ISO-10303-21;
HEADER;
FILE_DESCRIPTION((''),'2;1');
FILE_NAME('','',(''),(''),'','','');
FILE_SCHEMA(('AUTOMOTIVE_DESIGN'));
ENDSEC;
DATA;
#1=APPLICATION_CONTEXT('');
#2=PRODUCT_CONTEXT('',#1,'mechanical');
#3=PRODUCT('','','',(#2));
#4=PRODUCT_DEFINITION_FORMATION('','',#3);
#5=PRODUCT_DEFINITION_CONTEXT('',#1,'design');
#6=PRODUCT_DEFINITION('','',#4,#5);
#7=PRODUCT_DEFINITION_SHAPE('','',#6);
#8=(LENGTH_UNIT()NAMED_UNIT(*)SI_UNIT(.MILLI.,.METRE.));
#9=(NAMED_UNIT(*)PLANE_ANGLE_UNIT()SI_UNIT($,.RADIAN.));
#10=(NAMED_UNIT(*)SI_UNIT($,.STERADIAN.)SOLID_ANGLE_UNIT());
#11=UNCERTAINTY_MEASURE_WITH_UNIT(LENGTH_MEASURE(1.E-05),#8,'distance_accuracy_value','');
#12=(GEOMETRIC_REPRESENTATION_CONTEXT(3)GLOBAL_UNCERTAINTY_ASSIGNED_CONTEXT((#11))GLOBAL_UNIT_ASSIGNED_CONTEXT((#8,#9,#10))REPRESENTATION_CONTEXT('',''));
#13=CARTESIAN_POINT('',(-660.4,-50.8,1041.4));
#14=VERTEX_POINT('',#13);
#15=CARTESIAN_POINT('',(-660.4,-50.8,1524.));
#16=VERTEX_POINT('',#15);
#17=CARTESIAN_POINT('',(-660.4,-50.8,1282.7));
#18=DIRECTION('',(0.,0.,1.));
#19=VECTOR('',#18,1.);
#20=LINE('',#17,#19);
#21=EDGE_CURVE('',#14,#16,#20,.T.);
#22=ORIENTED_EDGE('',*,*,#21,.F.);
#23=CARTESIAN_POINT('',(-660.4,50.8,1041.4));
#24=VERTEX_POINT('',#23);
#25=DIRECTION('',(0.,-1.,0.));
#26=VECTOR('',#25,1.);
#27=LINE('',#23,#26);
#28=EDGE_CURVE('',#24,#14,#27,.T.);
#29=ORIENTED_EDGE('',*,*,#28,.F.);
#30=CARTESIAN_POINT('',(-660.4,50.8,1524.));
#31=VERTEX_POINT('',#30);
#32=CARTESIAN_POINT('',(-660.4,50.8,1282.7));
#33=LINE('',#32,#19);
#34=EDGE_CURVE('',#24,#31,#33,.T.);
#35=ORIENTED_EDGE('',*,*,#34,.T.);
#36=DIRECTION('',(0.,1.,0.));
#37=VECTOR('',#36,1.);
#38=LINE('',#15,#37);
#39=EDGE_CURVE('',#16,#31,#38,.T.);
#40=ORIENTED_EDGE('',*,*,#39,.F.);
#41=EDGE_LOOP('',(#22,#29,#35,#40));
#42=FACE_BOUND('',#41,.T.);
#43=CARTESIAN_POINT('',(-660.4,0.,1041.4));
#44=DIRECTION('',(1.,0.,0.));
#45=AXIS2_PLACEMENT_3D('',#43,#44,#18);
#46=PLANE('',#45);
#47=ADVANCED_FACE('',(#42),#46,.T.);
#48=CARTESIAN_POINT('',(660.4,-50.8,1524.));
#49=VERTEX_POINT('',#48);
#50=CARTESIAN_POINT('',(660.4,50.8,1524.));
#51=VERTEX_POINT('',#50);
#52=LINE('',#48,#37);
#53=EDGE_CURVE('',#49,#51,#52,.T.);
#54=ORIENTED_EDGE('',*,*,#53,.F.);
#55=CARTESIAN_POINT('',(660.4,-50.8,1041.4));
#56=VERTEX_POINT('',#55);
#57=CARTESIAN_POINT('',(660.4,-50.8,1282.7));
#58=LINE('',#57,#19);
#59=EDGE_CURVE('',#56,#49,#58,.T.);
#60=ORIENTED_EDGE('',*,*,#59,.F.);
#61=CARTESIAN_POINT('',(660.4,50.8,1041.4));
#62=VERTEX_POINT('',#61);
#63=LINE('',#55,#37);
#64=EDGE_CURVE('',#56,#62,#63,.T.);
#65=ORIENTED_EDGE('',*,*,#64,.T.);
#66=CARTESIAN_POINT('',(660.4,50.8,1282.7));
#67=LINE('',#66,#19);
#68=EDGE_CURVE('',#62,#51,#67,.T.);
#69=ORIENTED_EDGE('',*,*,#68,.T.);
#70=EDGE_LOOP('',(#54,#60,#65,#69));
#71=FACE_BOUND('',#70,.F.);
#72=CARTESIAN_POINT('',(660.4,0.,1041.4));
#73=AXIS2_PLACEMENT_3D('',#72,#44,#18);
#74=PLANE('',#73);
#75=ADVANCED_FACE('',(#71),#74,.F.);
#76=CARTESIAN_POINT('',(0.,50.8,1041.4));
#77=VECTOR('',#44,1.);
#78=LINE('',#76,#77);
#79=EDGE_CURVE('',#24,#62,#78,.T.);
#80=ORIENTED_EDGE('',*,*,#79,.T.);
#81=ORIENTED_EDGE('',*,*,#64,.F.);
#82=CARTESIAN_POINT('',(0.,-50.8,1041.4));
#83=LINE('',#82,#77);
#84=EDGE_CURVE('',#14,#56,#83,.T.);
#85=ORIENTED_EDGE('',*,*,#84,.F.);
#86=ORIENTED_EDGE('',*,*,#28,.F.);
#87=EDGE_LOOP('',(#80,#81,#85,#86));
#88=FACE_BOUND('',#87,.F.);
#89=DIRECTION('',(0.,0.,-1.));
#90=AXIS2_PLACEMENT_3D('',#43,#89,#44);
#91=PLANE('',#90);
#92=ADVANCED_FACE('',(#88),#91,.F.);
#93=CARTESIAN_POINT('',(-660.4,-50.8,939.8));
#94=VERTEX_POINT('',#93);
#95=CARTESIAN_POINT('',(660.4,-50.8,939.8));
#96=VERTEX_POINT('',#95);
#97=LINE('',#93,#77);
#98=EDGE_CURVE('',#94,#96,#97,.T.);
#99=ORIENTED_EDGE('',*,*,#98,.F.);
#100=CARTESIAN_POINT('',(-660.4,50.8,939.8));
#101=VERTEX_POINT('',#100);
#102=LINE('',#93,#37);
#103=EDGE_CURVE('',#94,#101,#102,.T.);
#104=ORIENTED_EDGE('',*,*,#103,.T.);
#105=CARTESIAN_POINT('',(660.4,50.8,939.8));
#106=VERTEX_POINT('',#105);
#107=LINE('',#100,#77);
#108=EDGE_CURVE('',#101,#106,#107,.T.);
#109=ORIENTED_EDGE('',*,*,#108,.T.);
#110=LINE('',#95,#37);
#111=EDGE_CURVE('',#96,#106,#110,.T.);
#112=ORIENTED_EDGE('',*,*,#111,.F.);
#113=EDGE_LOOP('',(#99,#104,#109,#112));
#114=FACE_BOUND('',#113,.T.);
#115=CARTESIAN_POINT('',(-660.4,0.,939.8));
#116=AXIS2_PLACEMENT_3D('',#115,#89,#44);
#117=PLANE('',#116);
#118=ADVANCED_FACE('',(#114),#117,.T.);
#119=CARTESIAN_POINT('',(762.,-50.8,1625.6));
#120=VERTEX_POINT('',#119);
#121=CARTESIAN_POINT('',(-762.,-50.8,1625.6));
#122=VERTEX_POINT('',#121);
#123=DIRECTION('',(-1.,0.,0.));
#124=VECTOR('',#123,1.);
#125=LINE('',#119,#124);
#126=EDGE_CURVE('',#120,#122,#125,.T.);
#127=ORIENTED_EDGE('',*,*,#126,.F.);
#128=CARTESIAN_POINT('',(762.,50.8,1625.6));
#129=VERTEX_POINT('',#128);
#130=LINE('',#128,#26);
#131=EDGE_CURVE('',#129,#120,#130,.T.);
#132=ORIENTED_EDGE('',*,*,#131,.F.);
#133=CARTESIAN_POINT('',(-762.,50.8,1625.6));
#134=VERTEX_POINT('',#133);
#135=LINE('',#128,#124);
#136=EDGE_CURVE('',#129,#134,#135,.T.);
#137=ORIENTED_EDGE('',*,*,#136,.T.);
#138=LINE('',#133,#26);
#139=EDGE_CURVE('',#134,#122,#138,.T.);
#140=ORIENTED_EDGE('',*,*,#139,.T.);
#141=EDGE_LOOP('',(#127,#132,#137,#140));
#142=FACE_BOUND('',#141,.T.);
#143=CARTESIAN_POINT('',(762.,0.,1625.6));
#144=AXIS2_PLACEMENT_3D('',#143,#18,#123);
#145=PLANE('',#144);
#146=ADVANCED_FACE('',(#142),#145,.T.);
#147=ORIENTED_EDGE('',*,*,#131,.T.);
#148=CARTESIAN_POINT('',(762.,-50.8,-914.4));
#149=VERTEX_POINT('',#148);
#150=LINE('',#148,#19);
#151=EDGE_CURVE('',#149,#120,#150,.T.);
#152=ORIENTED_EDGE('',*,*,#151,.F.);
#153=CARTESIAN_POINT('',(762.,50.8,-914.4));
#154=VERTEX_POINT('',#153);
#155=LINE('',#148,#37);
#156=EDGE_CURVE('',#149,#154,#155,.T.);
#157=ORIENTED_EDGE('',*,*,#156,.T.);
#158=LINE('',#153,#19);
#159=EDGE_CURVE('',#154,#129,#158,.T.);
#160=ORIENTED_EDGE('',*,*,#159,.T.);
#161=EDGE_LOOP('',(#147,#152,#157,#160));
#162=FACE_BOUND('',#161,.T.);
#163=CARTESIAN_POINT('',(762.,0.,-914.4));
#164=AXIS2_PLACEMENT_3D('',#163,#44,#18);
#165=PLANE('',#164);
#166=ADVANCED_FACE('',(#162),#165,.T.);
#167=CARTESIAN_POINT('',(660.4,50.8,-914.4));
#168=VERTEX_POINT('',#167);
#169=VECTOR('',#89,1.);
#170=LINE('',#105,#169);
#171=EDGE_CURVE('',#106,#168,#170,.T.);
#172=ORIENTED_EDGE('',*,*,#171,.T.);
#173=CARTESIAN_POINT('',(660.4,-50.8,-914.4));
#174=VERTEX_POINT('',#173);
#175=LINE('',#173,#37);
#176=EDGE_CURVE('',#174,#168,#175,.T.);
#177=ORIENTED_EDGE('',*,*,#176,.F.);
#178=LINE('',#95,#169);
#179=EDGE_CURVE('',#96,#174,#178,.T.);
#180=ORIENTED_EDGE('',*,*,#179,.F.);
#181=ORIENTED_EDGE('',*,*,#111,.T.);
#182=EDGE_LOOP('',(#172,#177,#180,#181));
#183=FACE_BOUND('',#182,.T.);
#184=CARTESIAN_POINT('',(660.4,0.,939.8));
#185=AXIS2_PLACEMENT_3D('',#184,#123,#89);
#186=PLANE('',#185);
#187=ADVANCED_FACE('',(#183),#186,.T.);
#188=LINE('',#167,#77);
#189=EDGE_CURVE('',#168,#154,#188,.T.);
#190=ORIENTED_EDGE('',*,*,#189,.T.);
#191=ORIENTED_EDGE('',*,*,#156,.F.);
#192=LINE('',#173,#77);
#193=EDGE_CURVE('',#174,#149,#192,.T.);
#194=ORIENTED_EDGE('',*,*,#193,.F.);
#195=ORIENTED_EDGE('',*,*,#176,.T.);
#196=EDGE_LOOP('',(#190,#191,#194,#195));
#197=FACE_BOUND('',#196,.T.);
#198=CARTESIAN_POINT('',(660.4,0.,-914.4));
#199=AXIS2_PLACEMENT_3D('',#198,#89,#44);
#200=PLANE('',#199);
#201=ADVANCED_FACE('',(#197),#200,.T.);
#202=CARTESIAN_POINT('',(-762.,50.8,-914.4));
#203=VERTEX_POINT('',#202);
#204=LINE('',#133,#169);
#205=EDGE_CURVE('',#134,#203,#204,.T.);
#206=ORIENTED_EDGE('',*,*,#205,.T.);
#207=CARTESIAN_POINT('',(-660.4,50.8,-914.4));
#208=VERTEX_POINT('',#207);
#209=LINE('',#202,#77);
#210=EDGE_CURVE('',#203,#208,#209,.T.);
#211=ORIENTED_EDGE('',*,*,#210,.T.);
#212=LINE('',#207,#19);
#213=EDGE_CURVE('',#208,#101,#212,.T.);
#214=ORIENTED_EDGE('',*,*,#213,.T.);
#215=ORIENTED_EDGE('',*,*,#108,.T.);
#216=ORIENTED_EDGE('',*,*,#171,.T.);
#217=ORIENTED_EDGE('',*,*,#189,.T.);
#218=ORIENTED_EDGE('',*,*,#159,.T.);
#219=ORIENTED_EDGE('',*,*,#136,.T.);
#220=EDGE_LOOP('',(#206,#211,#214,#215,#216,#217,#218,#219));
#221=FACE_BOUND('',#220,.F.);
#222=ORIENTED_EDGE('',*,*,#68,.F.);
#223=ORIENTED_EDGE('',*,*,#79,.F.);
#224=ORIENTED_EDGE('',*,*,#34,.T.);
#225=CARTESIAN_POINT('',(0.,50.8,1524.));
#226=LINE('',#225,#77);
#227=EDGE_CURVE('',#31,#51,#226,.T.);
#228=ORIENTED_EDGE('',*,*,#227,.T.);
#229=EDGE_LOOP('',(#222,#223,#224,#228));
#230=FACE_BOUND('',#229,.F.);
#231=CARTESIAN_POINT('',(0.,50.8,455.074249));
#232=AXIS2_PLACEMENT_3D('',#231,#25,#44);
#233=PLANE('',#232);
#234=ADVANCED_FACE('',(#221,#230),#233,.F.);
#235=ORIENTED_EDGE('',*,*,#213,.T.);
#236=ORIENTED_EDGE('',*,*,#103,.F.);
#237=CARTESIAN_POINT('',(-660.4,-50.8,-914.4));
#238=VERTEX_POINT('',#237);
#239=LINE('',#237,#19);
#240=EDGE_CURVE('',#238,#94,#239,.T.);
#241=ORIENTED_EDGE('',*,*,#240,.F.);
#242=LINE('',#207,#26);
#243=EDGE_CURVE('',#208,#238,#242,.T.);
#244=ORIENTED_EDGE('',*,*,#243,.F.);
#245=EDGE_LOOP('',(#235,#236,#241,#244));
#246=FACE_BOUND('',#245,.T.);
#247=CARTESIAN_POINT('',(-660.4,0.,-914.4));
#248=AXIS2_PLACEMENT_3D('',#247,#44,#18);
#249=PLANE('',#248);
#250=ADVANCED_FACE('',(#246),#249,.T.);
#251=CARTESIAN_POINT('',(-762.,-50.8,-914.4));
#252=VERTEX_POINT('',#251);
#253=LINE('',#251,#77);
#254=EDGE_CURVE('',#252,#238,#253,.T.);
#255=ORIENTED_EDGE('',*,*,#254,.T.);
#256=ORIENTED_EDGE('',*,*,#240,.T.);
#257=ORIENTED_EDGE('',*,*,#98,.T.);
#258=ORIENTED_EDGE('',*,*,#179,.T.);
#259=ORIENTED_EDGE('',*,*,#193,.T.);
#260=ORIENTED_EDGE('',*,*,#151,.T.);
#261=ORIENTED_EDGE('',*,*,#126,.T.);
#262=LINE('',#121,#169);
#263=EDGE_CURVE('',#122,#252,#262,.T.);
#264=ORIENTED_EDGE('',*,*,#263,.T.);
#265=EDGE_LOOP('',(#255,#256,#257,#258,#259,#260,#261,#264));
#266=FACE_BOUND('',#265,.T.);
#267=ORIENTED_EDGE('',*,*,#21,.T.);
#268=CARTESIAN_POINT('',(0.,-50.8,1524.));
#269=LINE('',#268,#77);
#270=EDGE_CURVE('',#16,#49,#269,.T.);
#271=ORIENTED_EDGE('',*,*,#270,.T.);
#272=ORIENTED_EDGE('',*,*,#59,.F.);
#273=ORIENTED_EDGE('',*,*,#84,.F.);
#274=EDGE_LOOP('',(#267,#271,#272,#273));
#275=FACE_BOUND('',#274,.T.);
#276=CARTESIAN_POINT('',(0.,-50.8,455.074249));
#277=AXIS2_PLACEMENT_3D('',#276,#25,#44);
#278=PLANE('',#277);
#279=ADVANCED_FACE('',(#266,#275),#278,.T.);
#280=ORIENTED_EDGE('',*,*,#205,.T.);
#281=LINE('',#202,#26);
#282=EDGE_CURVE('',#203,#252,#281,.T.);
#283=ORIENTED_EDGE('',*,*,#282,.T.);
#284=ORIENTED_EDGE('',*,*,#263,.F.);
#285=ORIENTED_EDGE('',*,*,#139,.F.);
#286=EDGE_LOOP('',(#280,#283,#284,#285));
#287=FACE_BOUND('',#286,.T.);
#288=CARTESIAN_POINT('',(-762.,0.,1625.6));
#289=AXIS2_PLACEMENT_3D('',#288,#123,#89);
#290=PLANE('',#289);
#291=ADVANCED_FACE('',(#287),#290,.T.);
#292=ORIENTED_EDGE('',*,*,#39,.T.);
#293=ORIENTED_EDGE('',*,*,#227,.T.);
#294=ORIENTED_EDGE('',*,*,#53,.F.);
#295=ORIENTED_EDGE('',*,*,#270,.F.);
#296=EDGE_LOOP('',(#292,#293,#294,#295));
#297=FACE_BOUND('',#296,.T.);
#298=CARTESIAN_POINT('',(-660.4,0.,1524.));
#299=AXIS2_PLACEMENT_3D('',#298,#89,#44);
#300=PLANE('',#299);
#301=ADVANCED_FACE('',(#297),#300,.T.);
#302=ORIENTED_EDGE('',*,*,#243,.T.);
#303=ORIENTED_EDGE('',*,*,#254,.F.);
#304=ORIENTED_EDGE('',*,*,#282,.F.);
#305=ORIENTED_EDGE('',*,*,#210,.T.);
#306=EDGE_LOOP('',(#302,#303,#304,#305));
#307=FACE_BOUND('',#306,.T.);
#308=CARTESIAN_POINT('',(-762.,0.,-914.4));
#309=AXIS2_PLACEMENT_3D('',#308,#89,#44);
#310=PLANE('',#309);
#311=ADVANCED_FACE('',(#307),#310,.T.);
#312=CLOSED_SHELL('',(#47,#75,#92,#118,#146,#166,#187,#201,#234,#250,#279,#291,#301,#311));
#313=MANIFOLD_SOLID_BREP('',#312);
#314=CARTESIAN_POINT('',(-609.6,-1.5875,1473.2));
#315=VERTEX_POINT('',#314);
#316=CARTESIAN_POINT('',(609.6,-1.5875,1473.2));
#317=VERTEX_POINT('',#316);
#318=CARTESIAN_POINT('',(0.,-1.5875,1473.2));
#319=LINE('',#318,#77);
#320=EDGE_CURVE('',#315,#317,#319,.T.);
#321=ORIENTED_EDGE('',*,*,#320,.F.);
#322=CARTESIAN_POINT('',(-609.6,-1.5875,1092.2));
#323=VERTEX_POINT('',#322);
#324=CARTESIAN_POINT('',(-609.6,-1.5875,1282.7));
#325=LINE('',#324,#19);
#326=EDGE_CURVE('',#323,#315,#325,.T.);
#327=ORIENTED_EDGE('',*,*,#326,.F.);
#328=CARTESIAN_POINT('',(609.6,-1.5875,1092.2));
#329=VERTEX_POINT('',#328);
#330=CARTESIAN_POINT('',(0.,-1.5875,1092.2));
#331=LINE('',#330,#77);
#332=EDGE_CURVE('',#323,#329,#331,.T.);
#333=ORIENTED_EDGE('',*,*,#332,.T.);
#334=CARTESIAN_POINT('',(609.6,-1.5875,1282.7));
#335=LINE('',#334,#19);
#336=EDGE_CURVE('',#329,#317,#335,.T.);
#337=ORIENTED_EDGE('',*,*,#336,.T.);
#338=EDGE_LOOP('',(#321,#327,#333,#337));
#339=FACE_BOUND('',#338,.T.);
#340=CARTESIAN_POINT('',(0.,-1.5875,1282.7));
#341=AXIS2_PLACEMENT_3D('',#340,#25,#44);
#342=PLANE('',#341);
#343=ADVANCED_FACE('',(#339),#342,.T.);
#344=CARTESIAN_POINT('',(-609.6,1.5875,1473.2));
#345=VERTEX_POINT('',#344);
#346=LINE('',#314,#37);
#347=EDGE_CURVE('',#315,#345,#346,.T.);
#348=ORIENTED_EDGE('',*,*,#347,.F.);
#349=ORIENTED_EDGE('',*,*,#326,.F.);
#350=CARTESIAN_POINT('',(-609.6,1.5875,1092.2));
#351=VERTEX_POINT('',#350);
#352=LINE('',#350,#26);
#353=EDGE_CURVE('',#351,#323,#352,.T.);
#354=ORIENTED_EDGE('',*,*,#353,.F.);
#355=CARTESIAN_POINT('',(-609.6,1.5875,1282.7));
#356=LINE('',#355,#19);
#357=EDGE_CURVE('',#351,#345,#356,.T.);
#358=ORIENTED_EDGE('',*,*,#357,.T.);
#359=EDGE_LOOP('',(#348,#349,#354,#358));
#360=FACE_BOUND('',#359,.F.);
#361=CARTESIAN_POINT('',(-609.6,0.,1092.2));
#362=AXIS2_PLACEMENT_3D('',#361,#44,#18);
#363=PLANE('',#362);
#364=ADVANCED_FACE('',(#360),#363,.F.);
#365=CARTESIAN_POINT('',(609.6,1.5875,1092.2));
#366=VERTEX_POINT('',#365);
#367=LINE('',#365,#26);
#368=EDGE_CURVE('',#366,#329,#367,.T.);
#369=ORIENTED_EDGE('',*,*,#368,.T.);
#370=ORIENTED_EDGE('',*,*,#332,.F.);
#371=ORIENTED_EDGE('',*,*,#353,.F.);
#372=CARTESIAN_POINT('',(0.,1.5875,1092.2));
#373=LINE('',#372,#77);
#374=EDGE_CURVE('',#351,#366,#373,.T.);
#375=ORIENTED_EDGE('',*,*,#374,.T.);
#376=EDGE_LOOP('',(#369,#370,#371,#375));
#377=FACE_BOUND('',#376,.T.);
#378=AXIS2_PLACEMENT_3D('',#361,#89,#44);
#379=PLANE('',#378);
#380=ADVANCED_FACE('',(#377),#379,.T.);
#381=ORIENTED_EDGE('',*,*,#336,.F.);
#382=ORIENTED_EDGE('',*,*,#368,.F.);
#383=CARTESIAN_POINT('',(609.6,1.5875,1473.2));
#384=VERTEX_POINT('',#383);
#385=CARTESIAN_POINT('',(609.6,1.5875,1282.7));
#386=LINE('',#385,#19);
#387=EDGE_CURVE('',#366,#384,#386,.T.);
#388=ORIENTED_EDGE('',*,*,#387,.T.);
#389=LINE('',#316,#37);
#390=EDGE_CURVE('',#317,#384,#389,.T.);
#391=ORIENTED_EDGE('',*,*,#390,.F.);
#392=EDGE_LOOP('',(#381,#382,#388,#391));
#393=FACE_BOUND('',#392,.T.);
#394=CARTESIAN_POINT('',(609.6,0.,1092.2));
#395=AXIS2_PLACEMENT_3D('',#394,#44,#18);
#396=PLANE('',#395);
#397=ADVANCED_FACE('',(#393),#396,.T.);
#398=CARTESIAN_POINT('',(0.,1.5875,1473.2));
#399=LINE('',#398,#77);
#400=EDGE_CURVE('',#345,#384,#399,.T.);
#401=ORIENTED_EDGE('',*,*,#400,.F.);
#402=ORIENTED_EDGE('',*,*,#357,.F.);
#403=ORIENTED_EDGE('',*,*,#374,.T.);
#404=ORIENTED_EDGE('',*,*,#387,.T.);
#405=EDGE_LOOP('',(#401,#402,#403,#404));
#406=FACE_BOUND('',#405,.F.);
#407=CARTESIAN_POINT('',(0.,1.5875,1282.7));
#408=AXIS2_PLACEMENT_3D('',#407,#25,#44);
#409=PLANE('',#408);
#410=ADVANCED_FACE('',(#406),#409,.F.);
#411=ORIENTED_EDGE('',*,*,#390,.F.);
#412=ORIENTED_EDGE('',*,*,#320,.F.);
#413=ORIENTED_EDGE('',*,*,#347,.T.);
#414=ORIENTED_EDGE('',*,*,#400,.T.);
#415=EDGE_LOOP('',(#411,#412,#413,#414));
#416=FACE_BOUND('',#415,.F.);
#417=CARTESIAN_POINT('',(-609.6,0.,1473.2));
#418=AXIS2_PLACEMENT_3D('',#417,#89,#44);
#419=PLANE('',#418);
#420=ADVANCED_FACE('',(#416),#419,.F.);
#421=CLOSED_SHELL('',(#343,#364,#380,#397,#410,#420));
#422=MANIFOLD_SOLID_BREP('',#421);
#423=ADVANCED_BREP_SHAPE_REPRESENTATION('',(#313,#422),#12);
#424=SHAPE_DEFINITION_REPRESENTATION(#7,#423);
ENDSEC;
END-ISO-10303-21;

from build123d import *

# Parameters (mm, degrees)
F0_W     = 1320.8
F0_H     = 482.6
F1_DEPTH = 50.8
F2_W     = 1219.2
F2_H     = 381
F3_DEPTH = 1.5875


with BuildPart() as f1:
    # F0 (on Front) → F1 (new body, symmetric)
    with BuildSketch(Plane.XZ):
        Polygon((762, -914.4), (762, 1625.6), (-762, 1625.6), (-762, -914.4), (-660.4, -914.4), (-660.4, 939.8), (660.4, 939.8), (660.4, -914.4), align=None)
        with Locations((0, 1282.7)):
            Rectangle(F0_W, F0_H, mode=Mode.SUBTRACT)
    extrude(amount=F1_DEPTH, both=True)


with BuildPart() as f3:
    # F2 (on Front) → F3 (new body, symmetric)
    with BuildSketch(Plane.XZ):
        with Locations((0, 1282.7)):
            Rectangle(F2_W, F2_H)
    extrude(amount=F3_DEPTH, both=True)


solid = Compound([f1.part, f3.part])
